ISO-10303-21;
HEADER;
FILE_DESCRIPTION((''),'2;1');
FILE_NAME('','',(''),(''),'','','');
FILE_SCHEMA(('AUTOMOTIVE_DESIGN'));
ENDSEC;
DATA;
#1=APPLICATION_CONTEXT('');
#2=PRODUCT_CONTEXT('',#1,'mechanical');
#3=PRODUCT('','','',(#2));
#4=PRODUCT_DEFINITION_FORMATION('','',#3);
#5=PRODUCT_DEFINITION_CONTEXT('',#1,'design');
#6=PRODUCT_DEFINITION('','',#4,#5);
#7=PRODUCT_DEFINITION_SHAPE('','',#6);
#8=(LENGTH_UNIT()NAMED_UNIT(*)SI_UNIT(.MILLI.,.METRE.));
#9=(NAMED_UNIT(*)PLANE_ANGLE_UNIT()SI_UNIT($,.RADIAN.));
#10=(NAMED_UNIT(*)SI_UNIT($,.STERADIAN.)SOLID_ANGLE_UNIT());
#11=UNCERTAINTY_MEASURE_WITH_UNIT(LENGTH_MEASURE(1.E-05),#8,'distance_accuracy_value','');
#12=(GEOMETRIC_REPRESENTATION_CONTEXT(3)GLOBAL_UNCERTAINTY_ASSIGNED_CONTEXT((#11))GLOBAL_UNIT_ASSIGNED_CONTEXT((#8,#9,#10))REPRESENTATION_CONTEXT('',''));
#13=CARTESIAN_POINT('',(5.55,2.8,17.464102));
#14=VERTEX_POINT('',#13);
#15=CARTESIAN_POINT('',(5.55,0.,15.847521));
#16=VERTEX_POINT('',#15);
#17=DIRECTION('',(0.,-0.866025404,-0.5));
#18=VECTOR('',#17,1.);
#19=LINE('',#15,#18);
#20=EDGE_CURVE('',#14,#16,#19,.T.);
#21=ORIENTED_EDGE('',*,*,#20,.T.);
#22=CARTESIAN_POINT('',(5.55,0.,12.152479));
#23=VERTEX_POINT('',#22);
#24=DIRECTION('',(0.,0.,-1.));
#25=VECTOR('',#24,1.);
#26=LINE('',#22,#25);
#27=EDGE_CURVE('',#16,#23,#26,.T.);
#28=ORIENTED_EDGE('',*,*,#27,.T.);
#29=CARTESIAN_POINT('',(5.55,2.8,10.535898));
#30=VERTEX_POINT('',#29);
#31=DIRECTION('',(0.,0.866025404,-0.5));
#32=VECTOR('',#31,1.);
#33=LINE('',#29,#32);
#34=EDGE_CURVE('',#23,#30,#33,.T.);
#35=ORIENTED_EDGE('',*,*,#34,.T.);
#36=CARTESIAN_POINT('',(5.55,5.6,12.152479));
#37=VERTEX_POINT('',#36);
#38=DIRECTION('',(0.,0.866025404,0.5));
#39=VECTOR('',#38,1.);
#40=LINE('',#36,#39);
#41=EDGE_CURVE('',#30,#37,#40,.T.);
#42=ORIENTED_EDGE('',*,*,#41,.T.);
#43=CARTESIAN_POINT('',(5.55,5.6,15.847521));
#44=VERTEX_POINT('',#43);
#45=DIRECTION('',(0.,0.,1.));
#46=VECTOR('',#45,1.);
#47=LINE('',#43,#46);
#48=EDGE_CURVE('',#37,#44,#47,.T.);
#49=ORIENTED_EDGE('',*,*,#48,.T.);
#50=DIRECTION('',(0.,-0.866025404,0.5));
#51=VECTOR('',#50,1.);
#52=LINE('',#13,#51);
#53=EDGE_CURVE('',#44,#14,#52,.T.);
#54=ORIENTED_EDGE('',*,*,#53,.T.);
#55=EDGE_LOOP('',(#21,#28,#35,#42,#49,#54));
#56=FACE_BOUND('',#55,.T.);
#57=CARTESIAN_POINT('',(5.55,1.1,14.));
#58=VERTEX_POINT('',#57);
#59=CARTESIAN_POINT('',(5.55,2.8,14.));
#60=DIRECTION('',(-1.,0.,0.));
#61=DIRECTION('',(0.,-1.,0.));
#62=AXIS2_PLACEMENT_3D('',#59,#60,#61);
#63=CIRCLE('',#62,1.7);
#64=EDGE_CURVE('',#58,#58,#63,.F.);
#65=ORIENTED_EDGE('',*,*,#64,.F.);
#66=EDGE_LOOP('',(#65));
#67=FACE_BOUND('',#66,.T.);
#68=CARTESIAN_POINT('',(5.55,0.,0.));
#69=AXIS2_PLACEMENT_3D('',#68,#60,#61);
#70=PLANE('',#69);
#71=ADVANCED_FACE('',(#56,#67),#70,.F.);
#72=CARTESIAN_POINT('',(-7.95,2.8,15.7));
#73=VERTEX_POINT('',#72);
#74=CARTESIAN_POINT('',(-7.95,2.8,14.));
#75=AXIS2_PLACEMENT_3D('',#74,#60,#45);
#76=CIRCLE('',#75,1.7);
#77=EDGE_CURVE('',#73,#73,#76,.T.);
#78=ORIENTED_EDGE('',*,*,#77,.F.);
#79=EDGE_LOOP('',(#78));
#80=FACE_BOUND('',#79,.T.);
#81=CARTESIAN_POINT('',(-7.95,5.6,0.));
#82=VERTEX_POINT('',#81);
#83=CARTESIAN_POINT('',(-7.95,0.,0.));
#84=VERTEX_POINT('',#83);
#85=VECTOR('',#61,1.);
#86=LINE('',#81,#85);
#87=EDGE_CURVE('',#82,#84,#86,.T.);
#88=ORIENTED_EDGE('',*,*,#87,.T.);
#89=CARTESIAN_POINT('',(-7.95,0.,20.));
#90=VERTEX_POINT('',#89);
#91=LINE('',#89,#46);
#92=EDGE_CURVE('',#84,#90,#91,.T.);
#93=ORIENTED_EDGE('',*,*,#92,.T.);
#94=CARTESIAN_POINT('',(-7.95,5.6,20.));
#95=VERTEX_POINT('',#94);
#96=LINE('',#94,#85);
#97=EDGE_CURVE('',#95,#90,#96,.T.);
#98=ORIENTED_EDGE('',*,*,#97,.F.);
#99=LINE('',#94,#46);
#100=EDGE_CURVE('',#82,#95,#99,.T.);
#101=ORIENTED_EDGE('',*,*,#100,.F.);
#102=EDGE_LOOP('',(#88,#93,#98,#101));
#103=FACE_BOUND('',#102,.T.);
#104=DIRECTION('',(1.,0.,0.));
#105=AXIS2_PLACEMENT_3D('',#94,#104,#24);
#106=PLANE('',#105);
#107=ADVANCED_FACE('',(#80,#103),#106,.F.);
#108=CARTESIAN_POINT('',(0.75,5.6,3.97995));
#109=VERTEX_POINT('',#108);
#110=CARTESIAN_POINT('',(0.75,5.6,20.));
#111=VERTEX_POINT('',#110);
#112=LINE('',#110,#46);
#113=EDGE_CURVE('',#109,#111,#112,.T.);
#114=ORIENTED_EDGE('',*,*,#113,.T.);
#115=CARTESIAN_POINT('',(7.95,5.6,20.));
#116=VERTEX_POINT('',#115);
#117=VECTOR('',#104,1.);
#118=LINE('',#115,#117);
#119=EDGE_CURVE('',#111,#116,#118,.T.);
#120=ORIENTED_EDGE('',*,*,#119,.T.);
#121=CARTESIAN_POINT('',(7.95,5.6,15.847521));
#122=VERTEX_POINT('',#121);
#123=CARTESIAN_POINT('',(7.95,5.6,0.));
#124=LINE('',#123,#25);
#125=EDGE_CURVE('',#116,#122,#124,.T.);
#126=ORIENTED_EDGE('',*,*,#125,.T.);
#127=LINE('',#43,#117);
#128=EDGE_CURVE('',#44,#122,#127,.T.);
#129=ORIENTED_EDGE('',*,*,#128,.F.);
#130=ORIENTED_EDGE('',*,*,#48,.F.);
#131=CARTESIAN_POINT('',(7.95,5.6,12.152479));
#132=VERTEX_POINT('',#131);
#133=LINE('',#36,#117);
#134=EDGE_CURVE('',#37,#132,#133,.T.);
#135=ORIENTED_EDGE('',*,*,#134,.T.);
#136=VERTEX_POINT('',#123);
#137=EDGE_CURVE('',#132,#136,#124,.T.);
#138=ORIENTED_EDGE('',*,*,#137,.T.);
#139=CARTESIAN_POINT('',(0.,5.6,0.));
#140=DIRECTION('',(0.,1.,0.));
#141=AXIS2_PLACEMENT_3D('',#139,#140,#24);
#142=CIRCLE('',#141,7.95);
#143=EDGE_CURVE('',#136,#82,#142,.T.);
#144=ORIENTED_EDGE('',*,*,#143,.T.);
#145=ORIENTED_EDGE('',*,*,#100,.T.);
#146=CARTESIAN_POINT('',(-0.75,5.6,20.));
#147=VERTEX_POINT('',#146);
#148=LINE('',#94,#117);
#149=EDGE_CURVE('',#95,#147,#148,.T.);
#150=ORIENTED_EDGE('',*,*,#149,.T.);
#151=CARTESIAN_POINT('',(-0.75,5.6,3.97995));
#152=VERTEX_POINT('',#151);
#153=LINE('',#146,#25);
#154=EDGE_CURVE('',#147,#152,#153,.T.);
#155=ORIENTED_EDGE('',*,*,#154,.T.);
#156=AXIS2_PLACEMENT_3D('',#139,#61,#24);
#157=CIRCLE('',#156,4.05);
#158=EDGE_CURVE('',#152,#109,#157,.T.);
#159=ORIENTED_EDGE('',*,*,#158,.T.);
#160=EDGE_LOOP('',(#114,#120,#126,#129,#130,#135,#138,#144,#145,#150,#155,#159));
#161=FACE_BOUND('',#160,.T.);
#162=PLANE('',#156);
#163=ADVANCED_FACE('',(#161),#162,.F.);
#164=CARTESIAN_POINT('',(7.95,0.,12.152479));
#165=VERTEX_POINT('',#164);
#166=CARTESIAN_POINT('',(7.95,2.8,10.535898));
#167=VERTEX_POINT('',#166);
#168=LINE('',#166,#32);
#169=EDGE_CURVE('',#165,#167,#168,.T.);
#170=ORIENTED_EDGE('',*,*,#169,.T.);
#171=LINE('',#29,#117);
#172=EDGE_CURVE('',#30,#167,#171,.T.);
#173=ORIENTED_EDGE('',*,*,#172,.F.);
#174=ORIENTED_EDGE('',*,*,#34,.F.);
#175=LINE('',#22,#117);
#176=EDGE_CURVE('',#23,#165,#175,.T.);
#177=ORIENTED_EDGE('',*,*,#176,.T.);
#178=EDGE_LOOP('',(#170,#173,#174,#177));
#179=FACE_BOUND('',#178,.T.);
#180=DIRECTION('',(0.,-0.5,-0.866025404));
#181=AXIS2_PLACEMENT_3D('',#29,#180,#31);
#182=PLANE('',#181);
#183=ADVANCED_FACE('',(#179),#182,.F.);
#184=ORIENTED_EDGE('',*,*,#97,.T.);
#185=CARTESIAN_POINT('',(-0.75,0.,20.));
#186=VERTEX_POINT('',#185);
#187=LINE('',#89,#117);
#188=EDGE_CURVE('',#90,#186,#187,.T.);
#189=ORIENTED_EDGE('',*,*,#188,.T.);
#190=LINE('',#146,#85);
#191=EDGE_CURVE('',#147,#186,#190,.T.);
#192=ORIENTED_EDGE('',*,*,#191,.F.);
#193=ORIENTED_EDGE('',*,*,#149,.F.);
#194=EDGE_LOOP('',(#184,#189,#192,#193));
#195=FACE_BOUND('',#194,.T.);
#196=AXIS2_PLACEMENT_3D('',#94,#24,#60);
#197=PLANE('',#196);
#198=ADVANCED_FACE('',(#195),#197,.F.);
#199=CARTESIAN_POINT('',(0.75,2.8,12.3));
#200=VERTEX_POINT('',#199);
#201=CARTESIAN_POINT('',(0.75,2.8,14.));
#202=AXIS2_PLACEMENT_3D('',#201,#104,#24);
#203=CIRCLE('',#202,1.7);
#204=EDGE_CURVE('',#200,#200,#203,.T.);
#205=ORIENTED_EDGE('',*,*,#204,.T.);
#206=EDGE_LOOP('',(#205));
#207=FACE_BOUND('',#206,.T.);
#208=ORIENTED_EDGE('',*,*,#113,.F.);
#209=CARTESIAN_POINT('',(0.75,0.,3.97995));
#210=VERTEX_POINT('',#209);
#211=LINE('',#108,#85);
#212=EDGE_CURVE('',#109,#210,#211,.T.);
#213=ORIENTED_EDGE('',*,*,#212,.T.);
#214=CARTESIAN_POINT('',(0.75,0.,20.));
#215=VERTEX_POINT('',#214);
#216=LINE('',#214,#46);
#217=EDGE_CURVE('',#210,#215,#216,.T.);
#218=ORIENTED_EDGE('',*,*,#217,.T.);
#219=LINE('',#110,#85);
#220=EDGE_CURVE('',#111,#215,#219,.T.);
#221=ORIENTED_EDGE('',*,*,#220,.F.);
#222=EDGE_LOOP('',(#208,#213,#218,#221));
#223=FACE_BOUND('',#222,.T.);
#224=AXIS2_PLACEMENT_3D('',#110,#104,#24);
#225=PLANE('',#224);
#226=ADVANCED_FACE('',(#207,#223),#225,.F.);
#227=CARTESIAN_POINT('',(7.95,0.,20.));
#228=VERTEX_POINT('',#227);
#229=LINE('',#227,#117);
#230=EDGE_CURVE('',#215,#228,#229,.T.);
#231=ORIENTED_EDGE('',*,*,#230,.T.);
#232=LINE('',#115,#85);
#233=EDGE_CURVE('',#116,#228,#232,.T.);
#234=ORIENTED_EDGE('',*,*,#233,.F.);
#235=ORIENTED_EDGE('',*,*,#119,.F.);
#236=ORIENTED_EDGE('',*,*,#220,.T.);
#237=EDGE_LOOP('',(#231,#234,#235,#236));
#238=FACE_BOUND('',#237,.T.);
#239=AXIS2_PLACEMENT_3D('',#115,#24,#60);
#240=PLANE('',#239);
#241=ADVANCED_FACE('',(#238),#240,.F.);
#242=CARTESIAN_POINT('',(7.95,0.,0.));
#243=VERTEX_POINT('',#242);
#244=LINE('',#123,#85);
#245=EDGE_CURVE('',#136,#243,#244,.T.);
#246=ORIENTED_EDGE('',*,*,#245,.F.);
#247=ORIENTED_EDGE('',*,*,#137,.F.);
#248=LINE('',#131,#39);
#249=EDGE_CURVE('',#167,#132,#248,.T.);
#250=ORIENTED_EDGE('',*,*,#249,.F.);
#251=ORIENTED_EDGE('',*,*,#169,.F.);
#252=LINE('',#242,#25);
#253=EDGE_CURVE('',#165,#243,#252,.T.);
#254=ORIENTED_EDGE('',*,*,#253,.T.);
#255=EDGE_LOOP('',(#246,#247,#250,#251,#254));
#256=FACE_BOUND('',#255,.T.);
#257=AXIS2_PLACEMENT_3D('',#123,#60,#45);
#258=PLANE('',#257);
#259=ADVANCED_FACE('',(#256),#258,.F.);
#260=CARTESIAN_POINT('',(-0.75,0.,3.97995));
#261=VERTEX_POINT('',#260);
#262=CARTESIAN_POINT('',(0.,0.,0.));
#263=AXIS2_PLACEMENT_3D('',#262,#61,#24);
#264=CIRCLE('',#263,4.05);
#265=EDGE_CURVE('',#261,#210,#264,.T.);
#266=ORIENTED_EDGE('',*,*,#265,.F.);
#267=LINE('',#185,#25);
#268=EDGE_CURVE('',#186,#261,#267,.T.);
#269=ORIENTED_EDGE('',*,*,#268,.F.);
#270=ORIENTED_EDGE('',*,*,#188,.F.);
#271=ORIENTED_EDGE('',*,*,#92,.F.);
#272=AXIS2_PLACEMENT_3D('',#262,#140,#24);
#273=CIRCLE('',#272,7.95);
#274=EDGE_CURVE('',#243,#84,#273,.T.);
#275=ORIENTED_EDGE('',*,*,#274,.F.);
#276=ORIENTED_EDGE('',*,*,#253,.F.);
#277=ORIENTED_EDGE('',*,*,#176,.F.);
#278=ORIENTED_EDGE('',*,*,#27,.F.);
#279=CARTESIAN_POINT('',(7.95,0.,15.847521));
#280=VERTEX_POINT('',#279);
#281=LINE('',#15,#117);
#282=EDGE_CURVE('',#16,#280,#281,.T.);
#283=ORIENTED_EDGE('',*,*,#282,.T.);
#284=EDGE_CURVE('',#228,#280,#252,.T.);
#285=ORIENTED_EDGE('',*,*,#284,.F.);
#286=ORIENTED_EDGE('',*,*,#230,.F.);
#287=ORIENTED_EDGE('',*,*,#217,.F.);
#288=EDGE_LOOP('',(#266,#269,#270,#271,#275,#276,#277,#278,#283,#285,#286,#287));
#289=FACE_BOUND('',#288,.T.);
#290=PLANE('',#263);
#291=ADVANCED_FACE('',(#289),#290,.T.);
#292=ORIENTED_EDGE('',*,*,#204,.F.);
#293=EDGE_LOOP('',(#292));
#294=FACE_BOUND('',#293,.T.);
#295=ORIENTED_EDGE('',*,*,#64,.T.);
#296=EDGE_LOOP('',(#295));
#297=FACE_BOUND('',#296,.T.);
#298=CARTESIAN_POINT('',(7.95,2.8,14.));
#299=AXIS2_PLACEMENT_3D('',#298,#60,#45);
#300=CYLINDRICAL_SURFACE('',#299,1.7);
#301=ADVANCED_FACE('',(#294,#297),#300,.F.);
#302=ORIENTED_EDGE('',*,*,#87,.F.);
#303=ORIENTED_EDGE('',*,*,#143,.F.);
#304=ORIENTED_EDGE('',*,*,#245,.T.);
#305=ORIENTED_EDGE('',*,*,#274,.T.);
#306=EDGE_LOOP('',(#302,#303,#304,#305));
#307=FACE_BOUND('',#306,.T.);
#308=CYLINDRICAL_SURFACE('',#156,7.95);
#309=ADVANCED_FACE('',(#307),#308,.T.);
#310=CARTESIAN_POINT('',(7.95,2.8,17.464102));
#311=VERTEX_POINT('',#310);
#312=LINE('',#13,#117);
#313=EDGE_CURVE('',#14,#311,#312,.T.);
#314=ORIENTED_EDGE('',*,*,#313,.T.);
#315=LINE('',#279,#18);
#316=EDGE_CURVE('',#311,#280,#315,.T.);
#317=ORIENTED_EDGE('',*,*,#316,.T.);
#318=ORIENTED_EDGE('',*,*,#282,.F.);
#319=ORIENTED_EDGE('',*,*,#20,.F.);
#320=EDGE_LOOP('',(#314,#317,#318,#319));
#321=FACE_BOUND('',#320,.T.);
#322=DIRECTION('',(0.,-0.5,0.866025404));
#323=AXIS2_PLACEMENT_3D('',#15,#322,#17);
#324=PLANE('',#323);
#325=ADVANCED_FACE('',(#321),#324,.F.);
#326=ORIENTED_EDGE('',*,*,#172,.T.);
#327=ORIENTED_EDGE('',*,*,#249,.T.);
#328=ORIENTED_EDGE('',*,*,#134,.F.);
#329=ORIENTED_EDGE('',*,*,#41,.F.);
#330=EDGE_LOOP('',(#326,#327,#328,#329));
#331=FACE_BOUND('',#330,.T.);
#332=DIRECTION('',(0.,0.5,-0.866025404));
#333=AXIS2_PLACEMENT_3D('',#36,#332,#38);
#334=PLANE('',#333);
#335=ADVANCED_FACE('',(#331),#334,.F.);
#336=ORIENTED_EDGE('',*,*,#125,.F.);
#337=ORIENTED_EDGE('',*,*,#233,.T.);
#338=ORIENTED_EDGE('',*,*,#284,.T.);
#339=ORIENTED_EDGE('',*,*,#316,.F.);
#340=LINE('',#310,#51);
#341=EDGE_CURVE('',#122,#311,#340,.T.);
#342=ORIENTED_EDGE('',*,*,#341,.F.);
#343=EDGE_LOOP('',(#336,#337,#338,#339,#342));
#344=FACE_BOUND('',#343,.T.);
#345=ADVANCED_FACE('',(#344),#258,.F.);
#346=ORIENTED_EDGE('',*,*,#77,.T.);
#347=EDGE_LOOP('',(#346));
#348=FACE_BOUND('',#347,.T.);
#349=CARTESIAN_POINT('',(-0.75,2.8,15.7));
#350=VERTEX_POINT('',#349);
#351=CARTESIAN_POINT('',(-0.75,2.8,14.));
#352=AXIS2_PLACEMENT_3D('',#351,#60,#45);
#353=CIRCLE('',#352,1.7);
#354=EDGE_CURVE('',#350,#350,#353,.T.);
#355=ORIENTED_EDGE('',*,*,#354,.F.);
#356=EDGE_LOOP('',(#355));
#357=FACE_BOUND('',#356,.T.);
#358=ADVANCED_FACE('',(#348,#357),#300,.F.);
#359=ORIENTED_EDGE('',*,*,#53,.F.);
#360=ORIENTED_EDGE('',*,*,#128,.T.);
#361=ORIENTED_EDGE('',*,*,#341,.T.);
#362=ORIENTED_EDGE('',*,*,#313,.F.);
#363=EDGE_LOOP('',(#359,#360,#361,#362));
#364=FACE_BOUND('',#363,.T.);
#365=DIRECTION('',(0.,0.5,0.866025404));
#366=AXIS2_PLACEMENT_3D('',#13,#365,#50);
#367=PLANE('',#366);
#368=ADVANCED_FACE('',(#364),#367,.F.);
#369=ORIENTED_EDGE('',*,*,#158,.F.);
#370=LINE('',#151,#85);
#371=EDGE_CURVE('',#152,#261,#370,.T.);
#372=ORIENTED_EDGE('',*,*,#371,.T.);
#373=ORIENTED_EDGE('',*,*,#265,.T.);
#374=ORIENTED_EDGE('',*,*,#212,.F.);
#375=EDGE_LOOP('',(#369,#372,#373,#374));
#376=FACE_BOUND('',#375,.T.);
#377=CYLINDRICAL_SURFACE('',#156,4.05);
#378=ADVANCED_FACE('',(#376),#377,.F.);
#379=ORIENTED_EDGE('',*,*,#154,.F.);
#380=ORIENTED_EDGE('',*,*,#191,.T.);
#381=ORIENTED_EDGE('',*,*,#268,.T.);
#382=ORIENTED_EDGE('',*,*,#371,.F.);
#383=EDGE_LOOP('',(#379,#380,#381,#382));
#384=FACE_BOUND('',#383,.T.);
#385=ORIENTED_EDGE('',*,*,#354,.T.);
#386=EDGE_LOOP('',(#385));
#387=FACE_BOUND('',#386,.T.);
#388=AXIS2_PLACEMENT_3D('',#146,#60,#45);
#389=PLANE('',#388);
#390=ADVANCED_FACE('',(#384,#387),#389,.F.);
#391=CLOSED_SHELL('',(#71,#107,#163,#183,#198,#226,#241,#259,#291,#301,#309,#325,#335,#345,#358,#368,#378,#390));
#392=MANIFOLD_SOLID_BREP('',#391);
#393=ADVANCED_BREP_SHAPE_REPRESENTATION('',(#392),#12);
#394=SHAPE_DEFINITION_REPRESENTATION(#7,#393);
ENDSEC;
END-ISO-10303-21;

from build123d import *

# Parameters (mm, degrees)
BOSS_EXTRUDE1_DEPTH = 5.6
SKETCH2_R           = 1.7
CUT_EXTRUDE1_DEPTH  = 16.9
CUT_EXTRUDE2_DEPTH  = 2.4


with BuildPart() as part:
    # Sketch1 → Boss-Extrude1 (new body)
    with BuildSketch(Plane(origin=(0, 0, 0), x_dir=(1, 0, 0), z_dir=(0, 1, 0))):
        with BuildLine():
            Line((-7.95, -20), (-7.95, 0))
            ThreePointArc((-7.95, 0), (0, 7.95), (7.95, 0))
            Line((7.95, 0), (7.95, -20))
            Line((7.95, -20), (0.75, -20))
            Line((0.75, -20), (0.75, -3.979949748))
            ThreePointArc((0.75, -3.979949748), (0, 4.05), (-0.75, -3.979949748))
            Line((-0.75, -3.979949748), (-0.75, -20))
            Line((-0.75, -20), (-7.95, -20))
        make_face()
    extrude(amount=BOSS_EXTRUDE1_DEPTH)

    # Sketch2 → Cut-Extrude1 (cut, through all)
    with BuildSketch(Plane.ZY.offset(7.95)):
        with Locations((14, 2.8)):
            Circle(SKETCH2_R)
    extrude(amount=-CUT_EXTRUDE1_DEPTH, mode=Mode.SUBTRACT)

    # Sketch4 → Cut-Extrude2 (cut)
    with BuildSketch(Plane(origin=(7.95, 0, 0), x_dir=(0, 0, -1), z_dir=(1, 0, 0))):
        Polygon((-17.464101615, 2.8), (-15.847520861, 5.6), (-12.152479139, 5.6), (-10.535898385, 2.8), (-12.152479139, 0), (-15.847520861, 0), align=None)
    extrude(amount=-CUT_EXTRUDE2_DEPTH, mode=Mode.SUBTRACT)


solid = part.part
